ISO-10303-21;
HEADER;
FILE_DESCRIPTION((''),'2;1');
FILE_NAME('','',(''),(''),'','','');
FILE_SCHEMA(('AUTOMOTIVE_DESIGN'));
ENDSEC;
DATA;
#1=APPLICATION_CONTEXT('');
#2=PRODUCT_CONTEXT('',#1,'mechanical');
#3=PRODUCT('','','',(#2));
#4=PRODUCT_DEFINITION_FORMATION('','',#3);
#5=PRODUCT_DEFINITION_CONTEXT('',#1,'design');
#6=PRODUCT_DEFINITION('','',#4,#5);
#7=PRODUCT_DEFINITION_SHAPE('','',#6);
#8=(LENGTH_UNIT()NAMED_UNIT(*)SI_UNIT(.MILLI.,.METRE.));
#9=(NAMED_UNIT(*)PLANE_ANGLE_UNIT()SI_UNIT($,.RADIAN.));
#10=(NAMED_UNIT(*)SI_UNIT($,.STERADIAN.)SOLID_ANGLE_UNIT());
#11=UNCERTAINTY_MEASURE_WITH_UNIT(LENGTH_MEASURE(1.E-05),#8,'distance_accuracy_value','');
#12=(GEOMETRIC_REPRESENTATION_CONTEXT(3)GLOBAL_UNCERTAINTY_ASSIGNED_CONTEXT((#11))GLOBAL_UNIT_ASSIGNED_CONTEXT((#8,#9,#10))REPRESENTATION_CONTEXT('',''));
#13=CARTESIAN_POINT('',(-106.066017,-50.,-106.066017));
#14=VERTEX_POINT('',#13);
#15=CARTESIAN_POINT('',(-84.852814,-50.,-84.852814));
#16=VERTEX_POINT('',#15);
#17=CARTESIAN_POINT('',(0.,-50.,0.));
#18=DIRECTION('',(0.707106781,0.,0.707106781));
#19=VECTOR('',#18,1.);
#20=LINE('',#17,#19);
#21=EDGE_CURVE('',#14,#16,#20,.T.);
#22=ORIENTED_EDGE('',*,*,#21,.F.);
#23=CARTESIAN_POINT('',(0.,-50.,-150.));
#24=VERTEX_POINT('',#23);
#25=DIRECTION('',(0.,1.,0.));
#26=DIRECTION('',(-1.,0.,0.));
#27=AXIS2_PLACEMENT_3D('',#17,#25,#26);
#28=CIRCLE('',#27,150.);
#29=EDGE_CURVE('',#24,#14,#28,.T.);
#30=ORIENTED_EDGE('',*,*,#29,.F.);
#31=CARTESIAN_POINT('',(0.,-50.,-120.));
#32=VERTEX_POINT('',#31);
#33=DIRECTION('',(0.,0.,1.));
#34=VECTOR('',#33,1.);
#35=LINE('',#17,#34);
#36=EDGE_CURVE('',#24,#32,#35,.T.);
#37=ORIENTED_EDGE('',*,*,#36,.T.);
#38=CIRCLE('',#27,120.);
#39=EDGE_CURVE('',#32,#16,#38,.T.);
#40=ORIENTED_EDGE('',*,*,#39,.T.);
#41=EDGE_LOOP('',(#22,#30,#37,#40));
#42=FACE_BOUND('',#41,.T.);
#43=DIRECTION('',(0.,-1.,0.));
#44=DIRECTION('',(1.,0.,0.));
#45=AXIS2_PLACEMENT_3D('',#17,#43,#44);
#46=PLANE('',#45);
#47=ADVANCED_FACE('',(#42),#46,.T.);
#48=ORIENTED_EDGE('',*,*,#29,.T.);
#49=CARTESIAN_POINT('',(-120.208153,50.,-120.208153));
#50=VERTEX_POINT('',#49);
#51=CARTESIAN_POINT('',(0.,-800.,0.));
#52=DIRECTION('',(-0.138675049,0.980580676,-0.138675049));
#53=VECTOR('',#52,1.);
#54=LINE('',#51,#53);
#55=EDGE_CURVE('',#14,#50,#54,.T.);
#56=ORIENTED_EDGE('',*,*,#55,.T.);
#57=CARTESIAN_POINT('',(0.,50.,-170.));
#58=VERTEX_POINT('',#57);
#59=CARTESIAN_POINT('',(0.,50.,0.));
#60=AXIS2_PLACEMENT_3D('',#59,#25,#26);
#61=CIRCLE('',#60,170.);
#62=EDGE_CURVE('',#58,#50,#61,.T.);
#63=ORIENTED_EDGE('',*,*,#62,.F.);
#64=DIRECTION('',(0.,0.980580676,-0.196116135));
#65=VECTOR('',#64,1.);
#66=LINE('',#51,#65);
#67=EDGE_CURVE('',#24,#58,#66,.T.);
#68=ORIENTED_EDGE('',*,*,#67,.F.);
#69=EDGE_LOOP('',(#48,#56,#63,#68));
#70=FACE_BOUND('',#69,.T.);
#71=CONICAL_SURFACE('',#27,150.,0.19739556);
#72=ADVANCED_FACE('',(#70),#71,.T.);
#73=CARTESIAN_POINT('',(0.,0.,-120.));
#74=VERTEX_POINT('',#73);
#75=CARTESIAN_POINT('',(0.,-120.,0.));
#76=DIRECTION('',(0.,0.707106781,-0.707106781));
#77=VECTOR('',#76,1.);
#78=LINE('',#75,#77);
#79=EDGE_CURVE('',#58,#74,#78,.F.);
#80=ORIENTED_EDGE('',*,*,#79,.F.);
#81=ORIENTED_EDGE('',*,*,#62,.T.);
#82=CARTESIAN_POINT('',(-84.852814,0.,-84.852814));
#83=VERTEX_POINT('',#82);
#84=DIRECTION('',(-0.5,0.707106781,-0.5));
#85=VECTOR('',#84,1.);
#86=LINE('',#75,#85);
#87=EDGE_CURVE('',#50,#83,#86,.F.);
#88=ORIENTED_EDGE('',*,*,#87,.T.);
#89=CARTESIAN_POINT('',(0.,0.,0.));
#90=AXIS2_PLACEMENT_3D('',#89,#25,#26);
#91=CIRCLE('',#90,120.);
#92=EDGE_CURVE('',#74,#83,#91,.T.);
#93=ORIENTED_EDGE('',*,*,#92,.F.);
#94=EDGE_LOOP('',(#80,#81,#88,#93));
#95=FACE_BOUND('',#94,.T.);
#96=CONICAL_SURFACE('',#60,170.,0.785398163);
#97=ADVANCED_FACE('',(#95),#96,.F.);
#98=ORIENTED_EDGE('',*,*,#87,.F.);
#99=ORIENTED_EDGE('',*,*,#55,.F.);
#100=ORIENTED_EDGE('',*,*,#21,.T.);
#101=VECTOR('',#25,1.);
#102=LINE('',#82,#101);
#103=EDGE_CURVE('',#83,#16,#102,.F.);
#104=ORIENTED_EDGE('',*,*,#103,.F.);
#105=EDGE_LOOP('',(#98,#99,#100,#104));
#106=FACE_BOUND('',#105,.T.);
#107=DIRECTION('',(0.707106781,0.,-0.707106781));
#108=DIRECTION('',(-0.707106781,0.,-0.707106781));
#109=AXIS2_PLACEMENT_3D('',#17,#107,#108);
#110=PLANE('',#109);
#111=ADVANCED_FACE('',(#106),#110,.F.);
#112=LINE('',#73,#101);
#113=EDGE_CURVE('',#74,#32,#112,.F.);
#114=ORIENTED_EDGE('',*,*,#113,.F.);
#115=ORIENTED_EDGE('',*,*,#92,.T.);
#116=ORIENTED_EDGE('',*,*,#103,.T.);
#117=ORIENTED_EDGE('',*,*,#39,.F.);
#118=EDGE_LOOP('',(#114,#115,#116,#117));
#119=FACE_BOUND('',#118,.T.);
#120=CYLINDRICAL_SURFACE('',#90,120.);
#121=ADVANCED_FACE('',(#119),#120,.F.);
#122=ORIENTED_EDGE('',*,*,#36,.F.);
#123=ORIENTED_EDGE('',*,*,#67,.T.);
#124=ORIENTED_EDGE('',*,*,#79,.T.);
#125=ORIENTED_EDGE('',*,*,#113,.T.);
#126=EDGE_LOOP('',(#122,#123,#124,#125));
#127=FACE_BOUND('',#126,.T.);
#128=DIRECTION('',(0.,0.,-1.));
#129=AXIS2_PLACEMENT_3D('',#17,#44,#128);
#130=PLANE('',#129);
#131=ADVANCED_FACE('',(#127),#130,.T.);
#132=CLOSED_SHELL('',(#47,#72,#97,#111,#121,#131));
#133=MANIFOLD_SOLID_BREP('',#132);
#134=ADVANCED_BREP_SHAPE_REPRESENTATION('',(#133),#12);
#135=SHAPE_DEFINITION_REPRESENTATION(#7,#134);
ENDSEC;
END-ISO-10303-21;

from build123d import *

# Parameters (mm, degrees)
CUT_EXTRUDE_1_DEPTH      = 246.560583156
CUT_EXTRUDE_1_DEPTH_BACK = 246.560583156


with BuildPart() as part:
    # 草圖1 → 旋轉2 (revolve)
    with BuildSketch(Plane.XY):
        Polygon((-120, -40), (-120, 0), (-170, 50), (-150, -50), (-120, -50), align=None)
    revolve(axis=Axis((0, 0, 0), (0, -1, 0)))

    # 草圖2 → 除料-伸長1 (cut, two sides: drawn at the far end of the back side and taken through both)
    with BuildSketch(Plane(origin=(0, 0, 0), x_dir=(1, 0, 0), z_dir=(0, 1, 0)).offset(-CUT_EXTRUDE_1_DEPTH_BACK)):
        with BuildLine():
            Line((0, 0), (-120.208152802, 120.208152802))
            ThreePointArc((-120.208152802, 120.208152802), (65.056183502, -157.059520527), (0, 170))
            Line((0, 170), (0, 0))
        make_face()
    extrude(amount=CUT_EXTRUDE_1_DEPTH + CUT_EXTRUDE_1_DEPTH_BACK, mode=Mode.SUBTRACT)


solid = part.part
